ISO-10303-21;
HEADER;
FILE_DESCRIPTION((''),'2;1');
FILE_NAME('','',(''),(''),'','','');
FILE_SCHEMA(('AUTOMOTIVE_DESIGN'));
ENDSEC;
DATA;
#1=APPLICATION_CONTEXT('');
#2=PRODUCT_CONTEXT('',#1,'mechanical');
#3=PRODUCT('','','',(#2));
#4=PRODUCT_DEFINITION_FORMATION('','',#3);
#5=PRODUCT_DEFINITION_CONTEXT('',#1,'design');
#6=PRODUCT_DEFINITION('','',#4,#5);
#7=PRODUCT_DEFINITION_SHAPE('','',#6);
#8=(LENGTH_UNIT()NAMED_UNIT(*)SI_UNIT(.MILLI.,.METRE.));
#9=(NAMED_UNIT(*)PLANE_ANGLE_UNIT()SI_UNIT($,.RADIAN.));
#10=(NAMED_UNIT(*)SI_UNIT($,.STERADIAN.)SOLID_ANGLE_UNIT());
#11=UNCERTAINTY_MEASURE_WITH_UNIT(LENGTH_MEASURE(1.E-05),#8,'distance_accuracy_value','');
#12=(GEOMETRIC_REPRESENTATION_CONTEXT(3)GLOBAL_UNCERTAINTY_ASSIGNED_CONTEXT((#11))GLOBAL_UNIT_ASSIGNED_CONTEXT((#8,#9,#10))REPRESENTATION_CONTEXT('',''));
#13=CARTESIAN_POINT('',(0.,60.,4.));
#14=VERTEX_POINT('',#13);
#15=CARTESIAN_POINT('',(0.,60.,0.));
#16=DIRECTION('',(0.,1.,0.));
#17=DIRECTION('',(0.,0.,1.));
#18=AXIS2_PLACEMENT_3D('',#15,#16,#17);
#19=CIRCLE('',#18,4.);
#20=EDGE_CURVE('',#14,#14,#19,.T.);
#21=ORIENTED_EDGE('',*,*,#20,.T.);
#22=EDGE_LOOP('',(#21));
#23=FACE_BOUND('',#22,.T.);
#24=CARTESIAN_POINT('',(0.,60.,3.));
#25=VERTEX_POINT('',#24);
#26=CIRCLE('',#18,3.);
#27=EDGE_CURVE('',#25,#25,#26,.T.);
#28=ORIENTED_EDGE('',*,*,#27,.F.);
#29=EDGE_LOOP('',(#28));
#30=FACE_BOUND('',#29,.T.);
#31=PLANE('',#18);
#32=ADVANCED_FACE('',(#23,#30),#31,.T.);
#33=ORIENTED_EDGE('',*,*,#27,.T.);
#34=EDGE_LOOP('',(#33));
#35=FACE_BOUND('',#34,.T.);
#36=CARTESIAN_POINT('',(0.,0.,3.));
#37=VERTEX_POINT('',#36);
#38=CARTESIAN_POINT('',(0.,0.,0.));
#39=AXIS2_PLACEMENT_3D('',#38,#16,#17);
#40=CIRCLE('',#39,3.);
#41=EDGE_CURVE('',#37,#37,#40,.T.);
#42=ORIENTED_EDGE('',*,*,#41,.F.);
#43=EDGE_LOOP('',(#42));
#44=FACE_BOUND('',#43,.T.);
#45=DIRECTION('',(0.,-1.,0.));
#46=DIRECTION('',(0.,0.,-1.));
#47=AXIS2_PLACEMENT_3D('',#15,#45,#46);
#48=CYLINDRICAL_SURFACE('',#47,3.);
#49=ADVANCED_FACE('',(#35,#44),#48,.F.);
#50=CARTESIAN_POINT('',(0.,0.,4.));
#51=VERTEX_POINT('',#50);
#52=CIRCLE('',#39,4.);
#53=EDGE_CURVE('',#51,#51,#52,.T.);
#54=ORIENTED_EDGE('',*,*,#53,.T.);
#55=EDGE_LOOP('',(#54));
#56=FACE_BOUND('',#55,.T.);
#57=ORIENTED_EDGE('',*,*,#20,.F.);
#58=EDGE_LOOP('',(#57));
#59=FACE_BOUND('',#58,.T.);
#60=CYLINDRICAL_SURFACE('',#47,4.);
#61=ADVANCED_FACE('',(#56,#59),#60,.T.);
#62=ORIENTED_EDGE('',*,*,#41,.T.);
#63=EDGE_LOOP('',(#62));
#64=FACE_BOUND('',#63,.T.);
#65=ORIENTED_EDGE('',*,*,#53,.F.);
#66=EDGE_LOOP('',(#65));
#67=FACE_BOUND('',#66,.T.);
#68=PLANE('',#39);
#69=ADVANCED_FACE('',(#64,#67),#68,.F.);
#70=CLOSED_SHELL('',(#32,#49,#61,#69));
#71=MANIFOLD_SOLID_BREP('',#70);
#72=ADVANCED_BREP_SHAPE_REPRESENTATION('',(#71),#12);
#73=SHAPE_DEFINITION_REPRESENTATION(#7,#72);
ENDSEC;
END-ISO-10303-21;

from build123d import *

# Parameters (mm, degrees)
SKETCH_1_R      = 4
SKETCH_1_R_2    = 3
EXTRUDE_1_DEPTH = 60


with BuildPart() as part:
    # 草图1 → 凸台-拉伸1 (new body)
    with BuildSketch(Plane(origin=(0, 0, 0), x_dir=(1, 0, 0), z_dir=(0, 1, 0))):
        with Locations(Location((0, 0, 0), (0, 0, 270))):
            Circle(SKETCH_1_R)
        with Locations(Location((0, 0, 0), (0, 0, 270))):
            Circle(SKETCH_1_R_2, mode=Mode.SUBTRACT)
    extrude(amount=EXTRUDE_1_DEPTH)


solid = part.part
